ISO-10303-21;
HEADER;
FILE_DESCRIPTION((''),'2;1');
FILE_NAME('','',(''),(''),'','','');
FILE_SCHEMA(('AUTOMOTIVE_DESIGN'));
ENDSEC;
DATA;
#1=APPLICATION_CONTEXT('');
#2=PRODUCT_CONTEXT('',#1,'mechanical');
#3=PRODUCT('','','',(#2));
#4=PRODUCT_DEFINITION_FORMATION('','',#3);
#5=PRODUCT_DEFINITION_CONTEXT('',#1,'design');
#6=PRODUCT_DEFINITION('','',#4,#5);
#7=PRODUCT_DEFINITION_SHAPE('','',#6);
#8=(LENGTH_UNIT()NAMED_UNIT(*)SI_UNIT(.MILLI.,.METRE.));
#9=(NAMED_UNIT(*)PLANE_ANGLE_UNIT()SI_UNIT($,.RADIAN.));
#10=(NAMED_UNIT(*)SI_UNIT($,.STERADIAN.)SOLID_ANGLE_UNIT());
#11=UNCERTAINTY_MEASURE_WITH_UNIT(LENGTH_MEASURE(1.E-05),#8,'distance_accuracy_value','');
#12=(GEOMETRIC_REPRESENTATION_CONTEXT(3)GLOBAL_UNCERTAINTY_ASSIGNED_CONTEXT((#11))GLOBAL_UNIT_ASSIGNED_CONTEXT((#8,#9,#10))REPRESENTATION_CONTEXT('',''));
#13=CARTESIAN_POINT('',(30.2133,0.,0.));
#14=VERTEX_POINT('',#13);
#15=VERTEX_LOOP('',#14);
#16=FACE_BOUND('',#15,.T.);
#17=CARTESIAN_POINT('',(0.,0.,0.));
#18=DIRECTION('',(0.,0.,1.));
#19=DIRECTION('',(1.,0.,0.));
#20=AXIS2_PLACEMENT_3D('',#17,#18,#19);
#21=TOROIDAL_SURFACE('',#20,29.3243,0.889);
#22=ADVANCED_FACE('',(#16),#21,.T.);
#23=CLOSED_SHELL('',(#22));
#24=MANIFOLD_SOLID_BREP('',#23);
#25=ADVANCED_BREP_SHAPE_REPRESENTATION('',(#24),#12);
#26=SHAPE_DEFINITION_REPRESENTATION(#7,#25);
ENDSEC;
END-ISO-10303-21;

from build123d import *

# Parameters (mm, degrees)
SKETCH1_R = 0.889


with BuildPart() as part:
    # Sketch1 → Revolve1 (revolve)
    with BuildSketch(Plane(origin=(0, 0, 0), x_dir=(0, -1, 0), z_dir=(1, 0, 0)), mode=Mode.PRIVATE) as revolve1_sk:
        with Locations((29.3243, 0)):
            Circle(SKETCH1_R)
    revolve(revolve1_sk.sketch.rotate(Axis((0, 0, 0.889), (0, 0, -1)), 270), axis=Axis((0, 0, 0.889), (0, 0, -1)))


solid = part.part
